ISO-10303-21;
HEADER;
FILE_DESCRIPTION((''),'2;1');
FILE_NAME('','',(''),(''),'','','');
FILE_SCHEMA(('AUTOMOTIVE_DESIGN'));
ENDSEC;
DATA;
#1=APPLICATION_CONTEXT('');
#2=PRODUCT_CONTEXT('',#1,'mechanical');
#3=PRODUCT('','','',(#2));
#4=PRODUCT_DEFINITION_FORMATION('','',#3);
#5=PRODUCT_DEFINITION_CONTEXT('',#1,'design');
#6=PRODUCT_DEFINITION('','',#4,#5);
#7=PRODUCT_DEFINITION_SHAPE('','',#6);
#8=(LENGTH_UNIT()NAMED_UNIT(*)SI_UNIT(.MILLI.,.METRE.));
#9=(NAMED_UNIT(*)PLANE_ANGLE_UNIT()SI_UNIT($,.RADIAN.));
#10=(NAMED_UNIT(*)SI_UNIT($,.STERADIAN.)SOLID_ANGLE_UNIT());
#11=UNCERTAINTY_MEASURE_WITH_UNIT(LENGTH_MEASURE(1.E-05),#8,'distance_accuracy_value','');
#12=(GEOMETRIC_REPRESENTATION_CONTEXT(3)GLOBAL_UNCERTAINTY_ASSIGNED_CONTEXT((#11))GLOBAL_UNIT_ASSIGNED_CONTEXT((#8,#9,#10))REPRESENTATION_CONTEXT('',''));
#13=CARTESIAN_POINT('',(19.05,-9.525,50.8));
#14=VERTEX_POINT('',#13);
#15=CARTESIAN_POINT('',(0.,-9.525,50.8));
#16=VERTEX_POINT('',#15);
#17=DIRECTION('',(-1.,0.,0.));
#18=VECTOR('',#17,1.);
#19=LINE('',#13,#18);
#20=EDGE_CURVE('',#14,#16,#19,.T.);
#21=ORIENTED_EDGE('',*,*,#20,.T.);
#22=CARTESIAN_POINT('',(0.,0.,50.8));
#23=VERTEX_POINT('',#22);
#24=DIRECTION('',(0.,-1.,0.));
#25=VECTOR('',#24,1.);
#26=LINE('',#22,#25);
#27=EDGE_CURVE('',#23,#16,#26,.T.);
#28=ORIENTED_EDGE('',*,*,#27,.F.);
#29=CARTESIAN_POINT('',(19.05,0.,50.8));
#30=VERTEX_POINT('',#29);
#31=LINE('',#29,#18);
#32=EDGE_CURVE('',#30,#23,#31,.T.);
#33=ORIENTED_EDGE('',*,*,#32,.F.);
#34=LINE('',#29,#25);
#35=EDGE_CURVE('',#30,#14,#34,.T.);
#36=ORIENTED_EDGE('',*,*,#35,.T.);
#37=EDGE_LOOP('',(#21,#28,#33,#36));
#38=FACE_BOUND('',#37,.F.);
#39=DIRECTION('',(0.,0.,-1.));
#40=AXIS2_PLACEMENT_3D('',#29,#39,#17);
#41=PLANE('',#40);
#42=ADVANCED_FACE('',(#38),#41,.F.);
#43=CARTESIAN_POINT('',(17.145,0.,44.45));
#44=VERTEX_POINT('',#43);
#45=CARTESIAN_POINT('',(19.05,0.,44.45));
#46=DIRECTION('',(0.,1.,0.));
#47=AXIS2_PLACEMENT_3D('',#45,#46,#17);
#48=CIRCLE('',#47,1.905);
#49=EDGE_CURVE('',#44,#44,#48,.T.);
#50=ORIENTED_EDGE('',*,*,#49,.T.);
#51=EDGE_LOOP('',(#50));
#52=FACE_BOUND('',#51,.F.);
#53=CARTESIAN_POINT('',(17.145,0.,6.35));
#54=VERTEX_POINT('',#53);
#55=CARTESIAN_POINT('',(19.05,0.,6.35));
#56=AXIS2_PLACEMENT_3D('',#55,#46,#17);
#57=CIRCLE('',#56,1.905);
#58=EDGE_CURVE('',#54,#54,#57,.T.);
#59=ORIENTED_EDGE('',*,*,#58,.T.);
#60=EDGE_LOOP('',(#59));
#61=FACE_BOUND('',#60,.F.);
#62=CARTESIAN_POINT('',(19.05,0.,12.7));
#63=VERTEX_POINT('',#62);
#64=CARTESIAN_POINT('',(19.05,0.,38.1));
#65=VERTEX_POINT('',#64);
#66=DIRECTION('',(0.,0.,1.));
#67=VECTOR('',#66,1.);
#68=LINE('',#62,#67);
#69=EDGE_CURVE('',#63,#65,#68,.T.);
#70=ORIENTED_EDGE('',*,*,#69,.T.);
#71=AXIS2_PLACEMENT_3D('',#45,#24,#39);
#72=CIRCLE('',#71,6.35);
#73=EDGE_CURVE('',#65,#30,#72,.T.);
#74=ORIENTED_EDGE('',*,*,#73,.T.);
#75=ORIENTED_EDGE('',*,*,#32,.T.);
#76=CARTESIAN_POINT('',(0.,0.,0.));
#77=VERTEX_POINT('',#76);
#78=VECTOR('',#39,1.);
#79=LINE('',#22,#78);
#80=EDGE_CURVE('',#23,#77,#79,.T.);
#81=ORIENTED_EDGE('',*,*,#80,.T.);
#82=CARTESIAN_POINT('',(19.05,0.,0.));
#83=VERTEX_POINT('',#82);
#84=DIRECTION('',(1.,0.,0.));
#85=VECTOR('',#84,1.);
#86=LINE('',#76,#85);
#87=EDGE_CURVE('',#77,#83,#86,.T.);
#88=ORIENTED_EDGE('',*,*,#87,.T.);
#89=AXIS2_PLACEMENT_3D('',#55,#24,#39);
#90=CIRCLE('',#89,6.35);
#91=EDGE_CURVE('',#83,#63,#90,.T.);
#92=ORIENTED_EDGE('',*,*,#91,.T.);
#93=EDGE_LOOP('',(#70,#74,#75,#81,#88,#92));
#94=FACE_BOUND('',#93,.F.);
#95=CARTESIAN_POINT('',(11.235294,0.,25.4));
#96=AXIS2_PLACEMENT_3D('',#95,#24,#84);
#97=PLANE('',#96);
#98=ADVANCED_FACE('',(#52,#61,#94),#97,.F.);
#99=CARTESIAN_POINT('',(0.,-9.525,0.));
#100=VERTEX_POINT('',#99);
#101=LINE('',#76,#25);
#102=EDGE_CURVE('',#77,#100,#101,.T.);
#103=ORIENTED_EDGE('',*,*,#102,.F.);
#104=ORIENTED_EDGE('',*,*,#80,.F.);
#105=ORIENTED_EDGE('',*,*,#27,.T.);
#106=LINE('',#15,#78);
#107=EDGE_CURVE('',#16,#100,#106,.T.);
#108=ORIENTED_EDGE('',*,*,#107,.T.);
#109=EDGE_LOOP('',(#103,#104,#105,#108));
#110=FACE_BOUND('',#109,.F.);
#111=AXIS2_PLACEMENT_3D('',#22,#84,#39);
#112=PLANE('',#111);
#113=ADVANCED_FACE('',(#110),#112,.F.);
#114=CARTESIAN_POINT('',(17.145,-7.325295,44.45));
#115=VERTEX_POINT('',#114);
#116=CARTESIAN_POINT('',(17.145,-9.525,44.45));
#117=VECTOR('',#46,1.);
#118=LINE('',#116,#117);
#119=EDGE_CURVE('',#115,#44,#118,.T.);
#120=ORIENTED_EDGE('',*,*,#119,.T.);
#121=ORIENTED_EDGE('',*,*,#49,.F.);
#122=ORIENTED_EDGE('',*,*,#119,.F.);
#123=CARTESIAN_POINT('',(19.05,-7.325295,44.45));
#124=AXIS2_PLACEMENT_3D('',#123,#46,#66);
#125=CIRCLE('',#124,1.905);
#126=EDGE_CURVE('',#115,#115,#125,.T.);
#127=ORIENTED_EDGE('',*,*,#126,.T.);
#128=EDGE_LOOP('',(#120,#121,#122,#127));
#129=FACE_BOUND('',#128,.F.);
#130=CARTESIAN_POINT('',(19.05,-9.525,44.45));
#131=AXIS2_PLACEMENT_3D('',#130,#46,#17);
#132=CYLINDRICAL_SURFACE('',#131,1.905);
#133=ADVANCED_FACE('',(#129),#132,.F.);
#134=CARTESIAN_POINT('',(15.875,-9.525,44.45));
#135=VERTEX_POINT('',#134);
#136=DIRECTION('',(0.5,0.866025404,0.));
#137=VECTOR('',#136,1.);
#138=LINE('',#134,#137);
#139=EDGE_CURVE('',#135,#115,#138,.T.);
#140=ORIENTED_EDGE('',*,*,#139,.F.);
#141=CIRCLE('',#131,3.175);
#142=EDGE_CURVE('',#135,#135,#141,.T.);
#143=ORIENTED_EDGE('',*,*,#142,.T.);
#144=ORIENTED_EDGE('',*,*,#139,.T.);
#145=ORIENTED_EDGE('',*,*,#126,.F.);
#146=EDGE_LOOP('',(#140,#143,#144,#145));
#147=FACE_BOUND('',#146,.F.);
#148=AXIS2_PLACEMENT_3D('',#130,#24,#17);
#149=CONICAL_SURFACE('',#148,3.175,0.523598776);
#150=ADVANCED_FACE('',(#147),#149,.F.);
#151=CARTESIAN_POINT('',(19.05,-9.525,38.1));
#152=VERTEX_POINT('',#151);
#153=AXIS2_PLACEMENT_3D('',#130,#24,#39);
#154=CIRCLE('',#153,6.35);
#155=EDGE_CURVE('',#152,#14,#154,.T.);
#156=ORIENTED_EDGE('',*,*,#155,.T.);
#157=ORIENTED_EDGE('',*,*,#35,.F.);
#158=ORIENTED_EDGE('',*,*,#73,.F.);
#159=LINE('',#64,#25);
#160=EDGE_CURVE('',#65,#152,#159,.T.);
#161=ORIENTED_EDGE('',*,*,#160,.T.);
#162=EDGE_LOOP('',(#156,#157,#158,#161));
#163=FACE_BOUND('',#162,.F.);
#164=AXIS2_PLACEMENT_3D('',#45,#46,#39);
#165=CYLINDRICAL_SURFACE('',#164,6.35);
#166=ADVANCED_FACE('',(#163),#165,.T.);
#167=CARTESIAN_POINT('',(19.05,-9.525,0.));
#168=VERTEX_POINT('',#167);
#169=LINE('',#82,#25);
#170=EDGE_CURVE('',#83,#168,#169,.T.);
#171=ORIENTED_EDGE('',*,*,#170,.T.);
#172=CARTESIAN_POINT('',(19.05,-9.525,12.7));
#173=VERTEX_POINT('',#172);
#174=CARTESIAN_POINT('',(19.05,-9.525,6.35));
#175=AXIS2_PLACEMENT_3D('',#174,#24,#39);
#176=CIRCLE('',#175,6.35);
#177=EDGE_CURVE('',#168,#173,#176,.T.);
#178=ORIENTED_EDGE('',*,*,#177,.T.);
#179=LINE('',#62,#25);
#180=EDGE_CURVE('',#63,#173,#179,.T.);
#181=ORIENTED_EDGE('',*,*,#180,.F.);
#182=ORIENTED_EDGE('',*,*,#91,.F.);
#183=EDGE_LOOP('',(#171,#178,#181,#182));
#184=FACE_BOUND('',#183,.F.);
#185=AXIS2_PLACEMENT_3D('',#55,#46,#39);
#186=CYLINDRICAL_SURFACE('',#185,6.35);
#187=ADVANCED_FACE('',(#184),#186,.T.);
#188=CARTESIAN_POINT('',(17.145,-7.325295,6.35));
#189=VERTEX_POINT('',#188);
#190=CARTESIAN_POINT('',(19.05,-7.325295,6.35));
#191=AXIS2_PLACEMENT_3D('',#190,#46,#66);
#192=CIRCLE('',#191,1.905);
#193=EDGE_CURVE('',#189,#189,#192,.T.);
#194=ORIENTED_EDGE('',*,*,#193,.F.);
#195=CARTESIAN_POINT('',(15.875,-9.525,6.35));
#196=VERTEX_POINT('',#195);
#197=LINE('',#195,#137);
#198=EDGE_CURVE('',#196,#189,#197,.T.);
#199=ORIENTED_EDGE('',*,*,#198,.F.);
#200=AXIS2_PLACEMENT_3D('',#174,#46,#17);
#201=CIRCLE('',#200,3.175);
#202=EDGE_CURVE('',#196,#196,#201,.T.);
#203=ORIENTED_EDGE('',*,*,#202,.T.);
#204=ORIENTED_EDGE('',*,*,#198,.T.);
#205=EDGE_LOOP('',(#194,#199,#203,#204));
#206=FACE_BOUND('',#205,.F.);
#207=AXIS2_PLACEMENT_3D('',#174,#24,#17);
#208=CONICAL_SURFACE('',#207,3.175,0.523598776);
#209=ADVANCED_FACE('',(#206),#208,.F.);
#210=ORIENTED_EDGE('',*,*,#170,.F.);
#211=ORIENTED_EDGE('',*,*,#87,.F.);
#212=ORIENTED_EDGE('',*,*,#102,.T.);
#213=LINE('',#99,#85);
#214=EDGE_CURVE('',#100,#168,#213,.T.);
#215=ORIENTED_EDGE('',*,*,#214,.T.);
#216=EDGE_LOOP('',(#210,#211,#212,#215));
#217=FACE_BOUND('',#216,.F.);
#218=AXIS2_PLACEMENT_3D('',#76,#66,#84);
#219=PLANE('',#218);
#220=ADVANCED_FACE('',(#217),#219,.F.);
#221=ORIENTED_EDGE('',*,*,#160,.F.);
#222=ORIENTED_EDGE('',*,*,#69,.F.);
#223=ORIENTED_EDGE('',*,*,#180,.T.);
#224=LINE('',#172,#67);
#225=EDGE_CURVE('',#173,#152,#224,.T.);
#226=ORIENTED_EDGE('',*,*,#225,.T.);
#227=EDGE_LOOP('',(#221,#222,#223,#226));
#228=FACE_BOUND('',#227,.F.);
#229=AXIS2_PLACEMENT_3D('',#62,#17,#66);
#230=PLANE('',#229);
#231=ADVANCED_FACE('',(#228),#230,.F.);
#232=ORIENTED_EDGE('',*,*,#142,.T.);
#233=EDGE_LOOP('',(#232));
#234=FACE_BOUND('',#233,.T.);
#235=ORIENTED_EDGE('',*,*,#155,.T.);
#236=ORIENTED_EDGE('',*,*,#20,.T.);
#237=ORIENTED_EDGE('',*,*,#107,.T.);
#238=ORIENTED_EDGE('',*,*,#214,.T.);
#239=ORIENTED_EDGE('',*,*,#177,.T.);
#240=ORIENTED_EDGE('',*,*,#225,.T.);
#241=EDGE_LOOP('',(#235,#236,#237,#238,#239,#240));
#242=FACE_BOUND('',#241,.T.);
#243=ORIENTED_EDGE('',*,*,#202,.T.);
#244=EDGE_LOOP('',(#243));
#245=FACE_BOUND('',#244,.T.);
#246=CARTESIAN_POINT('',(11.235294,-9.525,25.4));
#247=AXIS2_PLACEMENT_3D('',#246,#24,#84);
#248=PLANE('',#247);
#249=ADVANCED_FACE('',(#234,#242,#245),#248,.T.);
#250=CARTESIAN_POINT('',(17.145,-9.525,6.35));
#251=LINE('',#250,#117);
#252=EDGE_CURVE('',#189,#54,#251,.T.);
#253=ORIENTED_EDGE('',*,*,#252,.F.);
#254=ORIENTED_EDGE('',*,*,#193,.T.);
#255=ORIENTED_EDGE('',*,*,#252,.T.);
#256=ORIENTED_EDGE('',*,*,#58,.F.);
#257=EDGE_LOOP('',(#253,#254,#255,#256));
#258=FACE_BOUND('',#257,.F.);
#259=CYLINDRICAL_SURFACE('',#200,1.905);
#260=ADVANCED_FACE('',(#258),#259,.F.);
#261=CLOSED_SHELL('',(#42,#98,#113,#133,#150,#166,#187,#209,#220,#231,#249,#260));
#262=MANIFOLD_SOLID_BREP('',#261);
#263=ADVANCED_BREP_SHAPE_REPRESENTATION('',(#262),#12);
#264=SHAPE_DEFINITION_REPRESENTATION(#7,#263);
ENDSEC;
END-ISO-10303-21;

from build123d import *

# Parameters (mm, degrees)
F1_DEPTH       = 9.525
F3_D           = 3.81
F3_CSINK_D     = 6.35
F3_CSINK_ANGLE = 60


with BuildPart() as f1:
    # F0 (on Front) → F1 (new body)
    with BuildSketch(Plane.XZ):
        with BuildLine():
            Line((0, 50.8), (0, 0))
            Line((0, 0), (19.05, 0))
            ThreePointArc((19.05, 0), (25.4, 6.35), (19.05, 12.7))
            Line((19.05, 12.7), (19.05, 38.1))
            ThreePointArc((19.05, 38.1), (25.4, 44.45), (19.05, 50.8))
            Line((19.05, 50.8), (0, 50.8))
        make_face()
    extrude(amount=F1_DEPTH)

    # F3 (through all)
    with Locations(Plane.XZ.offset(9.525)):
        with Locations((19.05, 44.45), (19.05, 6.35)):
            CounterSinkHole(F3_D / 2, F3_CSINK_D / 2, counter_sink_angle=F3_CSINK_ANGLE)


solid = f1.part
